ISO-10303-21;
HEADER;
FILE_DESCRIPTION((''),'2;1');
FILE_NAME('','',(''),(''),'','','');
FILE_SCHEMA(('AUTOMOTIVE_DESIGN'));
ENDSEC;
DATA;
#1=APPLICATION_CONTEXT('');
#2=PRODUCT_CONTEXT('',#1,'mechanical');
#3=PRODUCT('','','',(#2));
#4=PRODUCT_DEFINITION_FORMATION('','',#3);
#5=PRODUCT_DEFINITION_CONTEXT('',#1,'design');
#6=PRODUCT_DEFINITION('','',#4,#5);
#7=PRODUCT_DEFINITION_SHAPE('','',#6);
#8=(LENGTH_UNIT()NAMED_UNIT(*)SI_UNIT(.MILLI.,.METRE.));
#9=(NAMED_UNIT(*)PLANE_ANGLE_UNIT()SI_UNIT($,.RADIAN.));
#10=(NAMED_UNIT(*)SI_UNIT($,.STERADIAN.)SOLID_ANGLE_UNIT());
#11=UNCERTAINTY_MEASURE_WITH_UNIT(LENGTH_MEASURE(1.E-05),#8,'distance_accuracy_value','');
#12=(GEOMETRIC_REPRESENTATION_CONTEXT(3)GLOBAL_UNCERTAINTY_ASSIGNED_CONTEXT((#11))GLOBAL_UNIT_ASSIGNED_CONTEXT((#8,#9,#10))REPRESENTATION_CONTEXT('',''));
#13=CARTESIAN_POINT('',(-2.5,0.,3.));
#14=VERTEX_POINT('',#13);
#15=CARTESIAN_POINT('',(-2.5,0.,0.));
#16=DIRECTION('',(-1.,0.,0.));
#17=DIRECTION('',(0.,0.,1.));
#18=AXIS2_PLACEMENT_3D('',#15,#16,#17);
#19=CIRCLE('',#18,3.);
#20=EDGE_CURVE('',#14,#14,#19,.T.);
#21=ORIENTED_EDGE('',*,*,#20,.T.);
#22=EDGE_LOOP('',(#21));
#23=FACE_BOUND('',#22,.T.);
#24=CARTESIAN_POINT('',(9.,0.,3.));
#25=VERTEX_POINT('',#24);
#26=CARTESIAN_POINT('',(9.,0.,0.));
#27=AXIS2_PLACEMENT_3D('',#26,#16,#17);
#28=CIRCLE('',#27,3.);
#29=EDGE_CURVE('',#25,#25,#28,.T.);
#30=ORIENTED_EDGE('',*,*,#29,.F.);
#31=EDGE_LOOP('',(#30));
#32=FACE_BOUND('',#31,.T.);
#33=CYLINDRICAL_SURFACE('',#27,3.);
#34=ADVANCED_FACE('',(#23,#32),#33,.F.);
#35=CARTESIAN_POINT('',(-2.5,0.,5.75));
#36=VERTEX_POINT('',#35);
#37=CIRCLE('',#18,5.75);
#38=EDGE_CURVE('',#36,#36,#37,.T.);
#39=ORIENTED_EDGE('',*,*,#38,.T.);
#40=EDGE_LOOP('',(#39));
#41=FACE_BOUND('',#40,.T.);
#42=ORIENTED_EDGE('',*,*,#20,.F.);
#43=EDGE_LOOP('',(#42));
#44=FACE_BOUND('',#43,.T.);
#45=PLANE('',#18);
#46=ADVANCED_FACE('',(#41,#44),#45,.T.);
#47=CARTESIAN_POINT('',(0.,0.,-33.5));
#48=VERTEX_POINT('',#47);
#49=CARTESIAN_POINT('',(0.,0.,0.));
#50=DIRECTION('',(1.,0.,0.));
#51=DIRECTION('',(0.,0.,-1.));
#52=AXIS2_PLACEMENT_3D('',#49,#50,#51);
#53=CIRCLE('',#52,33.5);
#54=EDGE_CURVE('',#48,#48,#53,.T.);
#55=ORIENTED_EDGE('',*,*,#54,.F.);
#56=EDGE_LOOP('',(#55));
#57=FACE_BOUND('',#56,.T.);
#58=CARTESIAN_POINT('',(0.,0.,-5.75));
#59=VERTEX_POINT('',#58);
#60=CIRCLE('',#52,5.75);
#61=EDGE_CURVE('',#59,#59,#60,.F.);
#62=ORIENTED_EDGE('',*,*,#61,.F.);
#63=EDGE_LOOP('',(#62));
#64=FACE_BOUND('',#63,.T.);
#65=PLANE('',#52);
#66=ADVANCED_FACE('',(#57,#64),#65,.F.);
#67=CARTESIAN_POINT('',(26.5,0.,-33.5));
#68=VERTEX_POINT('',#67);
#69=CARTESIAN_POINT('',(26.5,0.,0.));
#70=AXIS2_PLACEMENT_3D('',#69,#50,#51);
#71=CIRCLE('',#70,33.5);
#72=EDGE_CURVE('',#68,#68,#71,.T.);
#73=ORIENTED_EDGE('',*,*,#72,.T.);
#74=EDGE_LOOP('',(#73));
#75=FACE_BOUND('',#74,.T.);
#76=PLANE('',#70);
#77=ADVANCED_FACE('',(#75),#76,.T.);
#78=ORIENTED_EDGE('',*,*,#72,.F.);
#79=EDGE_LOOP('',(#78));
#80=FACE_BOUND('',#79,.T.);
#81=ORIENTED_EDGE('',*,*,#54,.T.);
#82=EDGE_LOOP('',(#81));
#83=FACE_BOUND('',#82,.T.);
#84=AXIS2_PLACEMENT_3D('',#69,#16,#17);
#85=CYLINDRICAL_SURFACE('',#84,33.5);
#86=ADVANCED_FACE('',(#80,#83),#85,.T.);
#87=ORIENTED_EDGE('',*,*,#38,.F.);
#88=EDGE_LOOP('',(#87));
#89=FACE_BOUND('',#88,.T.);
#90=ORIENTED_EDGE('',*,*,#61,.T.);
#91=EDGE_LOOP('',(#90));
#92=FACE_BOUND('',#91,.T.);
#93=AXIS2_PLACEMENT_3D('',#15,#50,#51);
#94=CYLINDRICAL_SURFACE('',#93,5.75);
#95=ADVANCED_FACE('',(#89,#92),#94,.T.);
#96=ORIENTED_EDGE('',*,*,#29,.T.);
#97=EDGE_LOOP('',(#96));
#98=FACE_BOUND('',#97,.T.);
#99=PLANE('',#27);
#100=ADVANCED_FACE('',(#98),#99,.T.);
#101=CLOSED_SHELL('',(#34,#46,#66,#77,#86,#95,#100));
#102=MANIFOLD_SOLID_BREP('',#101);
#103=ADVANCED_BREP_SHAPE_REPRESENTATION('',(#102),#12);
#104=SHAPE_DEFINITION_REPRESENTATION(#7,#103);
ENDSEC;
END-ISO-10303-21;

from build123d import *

# Parameters (mm, degrees)
SKETCH_4_R          = 33.5
EXTRUDE_1_DEPTH     = 26.5
SKETCH_5_R          = 3
CUT_EXTRUDE_1_DEPTH = 9
EXTRUDE_START       = 2.5
SKETCH_6_R          = 5.75
SKETCH_6_R_2        = 3
EXTRUDE_3_DEPTH     = 2.5


with BuildPart() as part:
    # 草图4 → 凸台-拉伸1 (new body)
    with BuildSketch(Plane(origin=(0, 0, 0), x_dir=(0, 0, -1), z_dir=(1, 0, 0))):
        Circle(SKETCH_4_R)
    extrude(amount=EXTRUDE_1_DEPTH)

    # 草图5 → 切除-拉伸1 (cut)
    with BuildSketch(Plane.ZY):
        Circle(SKETCH_5_R)
    extrude(amount=-CUT_EXTRUDE_1_DEPTH, mode=Mode.SUBTRACT)

    # 草图6 → 凸台-拉伸3 (add)
    with BuildSketch(Plane.ZY.offset(EXTRUDE_START)):
        with Locations(Location((0, 0, 0), (0, 0, 180))):
            Circle(SKETCH_6_R)
        Circle(SKETCH_6_R_2, mode=Mode.SUBTRACT)
    extrude(amount=-EXTRUDE_3_DEPTH)


solid = part.part
